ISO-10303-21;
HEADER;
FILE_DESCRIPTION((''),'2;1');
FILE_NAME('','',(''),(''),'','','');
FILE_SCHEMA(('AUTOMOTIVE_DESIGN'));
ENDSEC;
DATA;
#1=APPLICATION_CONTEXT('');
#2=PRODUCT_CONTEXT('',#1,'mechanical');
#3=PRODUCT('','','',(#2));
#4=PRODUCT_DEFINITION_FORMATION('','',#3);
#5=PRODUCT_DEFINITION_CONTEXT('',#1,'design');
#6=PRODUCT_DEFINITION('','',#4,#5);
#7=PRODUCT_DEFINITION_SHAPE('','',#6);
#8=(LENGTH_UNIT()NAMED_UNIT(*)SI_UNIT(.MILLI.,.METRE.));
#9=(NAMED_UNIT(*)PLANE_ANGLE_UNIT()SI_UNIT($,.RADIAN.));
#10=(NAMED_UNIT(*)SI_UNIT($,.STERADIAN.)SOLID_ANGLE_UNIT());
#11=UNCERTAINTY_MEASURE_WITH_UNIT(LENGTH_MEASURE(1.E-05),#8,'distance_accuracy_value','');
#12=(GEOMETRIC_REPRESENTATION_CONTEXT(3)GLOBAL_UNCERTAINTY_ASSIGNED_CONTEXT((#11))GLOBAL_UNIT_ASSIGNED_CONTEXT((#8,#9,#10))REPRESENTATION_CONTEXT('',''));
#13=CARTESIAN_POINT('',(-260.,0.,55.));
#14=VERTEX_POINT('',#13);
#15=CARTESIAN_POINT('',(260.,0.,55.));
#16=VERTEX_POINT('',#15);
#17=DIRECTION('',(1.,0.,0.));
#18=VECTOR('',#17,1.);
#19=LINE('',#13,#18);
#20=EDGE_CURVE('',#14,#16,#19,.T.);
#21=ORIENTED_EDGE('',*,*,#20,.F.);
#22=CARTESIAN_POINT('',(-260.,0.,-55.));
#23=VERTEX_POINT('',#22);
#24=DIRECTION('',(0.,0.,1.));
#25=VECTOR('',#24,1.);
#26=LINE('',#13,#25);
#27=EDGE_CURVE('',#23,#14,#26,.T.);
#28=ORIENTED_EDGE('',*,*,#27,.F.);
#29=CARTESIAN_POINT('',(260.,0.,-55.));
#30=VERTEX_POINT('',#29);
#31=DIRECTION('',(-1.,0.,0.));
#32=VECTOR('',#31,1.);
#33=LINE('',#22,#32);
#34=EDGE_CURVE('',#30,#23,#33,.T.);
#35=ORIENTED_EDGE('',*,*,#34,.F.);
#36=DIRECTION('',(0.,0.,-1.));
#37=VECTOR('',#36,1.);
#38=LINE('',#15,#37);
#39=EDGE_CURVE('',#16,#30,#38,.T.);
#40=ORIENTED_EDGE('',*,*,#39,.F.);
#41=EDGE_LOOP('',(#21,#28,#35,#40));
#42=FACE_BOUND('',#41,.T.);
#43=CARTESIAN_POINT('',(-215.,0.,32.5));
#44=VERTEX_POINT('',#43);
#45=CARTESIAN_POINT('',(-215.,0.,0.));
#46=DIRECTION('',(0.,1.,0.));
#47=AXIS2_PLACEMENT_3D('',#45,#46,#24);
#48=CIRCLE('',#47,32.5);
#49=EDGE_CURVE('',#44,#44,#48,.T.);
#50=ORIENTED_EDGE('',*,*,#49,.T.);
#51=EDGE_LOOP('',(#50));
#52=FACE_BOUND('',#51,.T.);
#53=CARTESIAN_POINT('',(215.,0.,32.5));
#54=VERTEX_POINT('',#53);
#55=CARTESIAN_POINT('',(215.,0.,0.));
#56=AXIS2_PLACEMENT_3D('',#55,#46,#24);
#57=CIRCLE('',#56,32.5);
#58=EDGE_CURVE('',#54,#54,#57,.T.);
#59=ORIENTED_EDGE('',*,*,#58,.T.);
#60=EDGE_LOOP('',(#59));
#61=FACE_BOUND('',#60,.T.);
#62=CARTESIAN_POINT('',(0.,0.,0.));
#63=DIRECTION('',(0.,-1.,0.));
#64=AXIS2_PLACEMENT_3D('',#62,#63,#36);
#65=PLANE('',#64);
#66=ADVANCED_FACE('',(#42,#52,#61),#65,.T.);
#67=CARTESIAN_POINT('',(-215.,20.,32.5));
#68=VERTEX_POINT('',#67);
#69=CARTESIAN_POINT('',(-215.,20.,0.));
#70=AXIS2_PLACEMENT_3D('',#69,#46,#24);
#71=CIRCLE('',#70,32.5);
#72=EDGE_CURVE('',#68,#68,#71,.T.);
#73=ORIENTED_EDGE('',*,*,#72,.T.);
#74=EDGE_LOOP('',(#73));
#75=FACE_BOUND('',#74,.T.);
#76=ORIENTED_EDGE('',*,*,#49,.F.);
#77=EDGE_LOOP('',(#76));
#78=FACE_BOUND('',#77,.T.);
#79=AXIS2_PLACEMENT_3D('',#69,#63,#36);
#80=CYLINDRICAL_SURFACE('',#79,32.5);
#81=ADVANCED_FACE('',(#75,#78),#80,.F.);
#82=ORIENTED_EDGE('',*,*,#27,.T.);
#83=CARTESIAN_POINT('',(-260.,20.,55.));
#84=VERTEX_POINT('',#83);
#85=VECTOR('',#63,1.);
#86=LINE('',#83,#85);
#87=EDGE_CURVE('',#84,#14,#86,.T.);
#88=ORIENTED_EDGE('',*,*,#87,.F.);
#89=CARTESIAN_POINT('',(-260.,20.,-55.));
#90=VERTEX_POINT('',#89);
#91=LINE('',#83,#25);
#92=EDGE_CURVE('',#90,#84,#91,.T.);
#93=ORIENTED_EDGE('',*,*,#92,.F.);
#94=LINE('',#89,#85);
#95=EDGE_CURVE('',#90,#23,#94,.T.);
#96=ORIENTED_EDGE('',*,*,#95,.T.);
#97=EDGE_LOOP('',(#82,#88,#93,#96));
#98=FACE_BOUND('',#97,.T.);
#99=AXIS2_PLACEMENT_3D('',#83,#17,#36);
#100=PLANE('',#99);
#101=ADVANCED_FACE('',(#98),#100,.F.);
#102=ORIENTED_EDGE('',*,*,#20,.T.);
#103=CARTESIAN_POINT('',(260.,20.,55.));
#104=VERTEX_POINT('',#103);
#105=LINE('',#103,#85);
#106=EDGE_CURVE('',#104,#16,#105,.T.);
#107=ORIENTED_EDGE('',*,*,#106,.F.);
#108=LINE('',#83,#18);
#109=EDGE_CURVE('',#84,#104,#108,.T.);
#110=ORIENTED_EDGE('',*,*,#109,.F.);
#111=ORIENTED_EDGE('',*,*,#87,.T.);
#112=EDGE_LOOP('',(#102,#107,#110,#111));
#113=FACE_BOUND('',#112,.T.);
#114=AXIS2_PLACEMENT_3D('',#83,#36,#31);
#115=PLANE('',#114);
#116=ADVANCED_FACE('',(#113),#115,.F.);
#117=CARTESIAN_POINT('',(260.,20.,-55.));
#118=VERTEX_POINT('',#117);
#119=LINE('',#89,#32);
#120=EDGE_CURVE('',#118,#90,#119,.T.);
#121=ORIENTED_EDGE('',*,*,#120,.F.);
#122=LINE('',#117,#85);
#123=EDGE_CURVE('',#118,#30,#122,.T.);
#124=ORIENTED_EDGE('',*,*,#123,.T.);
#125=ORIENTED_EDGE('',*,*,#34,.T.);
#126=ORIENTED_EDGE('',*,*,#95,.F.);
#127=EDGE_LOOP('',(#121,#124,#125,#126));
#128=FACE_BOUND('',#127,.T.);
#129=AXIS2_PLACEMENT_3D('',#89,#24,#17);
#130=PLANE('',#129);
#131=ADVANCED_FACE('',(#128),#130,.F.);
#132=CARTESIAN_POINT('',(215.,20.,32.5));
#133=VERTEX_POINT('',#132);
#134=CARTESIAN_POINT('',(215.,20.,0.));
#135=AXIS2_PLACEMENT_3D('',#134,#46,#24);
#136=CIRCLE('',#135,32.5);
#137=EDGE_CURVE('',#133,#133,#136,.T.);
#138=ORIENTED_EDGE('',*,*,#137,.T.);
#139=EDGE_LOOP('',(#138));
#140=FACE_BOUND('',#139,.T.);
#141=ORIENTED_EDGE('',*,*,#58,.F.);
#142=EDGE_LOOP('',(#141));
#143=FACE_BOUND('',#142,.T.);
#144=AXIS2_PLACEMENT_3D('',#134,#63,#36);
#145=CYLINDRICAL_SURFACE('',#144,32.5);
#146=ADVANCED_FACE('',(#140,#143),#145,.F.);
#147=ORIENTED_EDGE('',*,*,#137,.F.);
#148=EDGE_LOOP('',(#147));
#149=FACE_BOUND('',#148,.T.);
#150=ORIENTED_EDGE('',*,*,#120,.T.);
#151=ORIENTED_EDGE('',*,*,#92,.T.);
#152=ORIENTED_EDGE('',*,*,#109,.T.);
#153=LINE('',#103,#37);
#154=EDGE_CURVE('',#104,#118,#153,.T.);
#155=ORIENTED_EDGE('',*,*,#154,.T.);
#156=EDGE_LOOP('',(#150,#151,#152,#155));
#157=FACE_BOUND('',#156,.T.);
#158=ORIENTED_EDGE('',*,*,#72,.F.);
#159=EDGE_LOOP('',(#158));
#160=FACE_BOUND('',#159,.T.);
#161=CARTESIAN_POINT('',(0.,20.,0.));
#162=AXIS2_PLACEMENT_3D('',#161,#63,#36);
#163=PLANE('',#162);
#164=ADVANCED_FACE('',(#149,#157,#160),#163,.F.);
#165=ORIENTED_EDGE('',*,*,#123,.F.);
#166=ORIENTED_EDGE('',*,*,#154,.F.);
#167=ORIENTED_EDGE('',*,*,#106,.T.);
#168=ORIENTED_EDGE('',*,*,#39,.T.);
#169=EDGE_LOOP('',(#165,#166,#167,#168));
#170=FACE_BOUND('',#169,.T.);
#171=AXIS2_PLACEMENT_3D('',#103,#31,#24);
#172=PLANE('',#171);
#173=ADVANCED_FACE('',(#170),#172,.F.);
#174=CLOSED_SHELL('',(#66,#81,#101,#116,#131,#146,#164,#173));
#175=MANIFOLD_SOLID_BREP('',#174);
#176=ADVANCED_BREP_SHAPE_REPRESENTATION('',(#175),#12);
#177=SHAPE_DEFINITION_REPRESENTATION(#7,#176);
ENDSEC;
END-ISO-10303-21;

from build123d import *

# Parameters (mm, degrees)
SKETCH_1_W      = 520
SKETCH_1_H      = 110
SKETCH_1_R      = 32.5
EXTRUDE_1_DEPTH = 20


with BuildPart() as part:
    # 草图1 → 凸台-拉伸1 (new body)
    with BuildSketch(Plane(origin=(0, 0, 0), x_dir=(1, 0, 0), z_dir=(0, 1, 0))):
        Rectangle(SKETCH_1_W, SKETCH_1_H)
        with Locations(Location((-215, 0, 0), (0, 0, 270))):
            Circle(SKETCH_1_R, mode=Mode.SUBTRACT)
        with Locations(Location((215, 0, 0), (0, 0, 270))):
            Circle(SKETCH_1_R, mode=Mode.SUBTRACT)
    extrude(amount=EXTRUDE_1_DEPTH)


solid = part.part
